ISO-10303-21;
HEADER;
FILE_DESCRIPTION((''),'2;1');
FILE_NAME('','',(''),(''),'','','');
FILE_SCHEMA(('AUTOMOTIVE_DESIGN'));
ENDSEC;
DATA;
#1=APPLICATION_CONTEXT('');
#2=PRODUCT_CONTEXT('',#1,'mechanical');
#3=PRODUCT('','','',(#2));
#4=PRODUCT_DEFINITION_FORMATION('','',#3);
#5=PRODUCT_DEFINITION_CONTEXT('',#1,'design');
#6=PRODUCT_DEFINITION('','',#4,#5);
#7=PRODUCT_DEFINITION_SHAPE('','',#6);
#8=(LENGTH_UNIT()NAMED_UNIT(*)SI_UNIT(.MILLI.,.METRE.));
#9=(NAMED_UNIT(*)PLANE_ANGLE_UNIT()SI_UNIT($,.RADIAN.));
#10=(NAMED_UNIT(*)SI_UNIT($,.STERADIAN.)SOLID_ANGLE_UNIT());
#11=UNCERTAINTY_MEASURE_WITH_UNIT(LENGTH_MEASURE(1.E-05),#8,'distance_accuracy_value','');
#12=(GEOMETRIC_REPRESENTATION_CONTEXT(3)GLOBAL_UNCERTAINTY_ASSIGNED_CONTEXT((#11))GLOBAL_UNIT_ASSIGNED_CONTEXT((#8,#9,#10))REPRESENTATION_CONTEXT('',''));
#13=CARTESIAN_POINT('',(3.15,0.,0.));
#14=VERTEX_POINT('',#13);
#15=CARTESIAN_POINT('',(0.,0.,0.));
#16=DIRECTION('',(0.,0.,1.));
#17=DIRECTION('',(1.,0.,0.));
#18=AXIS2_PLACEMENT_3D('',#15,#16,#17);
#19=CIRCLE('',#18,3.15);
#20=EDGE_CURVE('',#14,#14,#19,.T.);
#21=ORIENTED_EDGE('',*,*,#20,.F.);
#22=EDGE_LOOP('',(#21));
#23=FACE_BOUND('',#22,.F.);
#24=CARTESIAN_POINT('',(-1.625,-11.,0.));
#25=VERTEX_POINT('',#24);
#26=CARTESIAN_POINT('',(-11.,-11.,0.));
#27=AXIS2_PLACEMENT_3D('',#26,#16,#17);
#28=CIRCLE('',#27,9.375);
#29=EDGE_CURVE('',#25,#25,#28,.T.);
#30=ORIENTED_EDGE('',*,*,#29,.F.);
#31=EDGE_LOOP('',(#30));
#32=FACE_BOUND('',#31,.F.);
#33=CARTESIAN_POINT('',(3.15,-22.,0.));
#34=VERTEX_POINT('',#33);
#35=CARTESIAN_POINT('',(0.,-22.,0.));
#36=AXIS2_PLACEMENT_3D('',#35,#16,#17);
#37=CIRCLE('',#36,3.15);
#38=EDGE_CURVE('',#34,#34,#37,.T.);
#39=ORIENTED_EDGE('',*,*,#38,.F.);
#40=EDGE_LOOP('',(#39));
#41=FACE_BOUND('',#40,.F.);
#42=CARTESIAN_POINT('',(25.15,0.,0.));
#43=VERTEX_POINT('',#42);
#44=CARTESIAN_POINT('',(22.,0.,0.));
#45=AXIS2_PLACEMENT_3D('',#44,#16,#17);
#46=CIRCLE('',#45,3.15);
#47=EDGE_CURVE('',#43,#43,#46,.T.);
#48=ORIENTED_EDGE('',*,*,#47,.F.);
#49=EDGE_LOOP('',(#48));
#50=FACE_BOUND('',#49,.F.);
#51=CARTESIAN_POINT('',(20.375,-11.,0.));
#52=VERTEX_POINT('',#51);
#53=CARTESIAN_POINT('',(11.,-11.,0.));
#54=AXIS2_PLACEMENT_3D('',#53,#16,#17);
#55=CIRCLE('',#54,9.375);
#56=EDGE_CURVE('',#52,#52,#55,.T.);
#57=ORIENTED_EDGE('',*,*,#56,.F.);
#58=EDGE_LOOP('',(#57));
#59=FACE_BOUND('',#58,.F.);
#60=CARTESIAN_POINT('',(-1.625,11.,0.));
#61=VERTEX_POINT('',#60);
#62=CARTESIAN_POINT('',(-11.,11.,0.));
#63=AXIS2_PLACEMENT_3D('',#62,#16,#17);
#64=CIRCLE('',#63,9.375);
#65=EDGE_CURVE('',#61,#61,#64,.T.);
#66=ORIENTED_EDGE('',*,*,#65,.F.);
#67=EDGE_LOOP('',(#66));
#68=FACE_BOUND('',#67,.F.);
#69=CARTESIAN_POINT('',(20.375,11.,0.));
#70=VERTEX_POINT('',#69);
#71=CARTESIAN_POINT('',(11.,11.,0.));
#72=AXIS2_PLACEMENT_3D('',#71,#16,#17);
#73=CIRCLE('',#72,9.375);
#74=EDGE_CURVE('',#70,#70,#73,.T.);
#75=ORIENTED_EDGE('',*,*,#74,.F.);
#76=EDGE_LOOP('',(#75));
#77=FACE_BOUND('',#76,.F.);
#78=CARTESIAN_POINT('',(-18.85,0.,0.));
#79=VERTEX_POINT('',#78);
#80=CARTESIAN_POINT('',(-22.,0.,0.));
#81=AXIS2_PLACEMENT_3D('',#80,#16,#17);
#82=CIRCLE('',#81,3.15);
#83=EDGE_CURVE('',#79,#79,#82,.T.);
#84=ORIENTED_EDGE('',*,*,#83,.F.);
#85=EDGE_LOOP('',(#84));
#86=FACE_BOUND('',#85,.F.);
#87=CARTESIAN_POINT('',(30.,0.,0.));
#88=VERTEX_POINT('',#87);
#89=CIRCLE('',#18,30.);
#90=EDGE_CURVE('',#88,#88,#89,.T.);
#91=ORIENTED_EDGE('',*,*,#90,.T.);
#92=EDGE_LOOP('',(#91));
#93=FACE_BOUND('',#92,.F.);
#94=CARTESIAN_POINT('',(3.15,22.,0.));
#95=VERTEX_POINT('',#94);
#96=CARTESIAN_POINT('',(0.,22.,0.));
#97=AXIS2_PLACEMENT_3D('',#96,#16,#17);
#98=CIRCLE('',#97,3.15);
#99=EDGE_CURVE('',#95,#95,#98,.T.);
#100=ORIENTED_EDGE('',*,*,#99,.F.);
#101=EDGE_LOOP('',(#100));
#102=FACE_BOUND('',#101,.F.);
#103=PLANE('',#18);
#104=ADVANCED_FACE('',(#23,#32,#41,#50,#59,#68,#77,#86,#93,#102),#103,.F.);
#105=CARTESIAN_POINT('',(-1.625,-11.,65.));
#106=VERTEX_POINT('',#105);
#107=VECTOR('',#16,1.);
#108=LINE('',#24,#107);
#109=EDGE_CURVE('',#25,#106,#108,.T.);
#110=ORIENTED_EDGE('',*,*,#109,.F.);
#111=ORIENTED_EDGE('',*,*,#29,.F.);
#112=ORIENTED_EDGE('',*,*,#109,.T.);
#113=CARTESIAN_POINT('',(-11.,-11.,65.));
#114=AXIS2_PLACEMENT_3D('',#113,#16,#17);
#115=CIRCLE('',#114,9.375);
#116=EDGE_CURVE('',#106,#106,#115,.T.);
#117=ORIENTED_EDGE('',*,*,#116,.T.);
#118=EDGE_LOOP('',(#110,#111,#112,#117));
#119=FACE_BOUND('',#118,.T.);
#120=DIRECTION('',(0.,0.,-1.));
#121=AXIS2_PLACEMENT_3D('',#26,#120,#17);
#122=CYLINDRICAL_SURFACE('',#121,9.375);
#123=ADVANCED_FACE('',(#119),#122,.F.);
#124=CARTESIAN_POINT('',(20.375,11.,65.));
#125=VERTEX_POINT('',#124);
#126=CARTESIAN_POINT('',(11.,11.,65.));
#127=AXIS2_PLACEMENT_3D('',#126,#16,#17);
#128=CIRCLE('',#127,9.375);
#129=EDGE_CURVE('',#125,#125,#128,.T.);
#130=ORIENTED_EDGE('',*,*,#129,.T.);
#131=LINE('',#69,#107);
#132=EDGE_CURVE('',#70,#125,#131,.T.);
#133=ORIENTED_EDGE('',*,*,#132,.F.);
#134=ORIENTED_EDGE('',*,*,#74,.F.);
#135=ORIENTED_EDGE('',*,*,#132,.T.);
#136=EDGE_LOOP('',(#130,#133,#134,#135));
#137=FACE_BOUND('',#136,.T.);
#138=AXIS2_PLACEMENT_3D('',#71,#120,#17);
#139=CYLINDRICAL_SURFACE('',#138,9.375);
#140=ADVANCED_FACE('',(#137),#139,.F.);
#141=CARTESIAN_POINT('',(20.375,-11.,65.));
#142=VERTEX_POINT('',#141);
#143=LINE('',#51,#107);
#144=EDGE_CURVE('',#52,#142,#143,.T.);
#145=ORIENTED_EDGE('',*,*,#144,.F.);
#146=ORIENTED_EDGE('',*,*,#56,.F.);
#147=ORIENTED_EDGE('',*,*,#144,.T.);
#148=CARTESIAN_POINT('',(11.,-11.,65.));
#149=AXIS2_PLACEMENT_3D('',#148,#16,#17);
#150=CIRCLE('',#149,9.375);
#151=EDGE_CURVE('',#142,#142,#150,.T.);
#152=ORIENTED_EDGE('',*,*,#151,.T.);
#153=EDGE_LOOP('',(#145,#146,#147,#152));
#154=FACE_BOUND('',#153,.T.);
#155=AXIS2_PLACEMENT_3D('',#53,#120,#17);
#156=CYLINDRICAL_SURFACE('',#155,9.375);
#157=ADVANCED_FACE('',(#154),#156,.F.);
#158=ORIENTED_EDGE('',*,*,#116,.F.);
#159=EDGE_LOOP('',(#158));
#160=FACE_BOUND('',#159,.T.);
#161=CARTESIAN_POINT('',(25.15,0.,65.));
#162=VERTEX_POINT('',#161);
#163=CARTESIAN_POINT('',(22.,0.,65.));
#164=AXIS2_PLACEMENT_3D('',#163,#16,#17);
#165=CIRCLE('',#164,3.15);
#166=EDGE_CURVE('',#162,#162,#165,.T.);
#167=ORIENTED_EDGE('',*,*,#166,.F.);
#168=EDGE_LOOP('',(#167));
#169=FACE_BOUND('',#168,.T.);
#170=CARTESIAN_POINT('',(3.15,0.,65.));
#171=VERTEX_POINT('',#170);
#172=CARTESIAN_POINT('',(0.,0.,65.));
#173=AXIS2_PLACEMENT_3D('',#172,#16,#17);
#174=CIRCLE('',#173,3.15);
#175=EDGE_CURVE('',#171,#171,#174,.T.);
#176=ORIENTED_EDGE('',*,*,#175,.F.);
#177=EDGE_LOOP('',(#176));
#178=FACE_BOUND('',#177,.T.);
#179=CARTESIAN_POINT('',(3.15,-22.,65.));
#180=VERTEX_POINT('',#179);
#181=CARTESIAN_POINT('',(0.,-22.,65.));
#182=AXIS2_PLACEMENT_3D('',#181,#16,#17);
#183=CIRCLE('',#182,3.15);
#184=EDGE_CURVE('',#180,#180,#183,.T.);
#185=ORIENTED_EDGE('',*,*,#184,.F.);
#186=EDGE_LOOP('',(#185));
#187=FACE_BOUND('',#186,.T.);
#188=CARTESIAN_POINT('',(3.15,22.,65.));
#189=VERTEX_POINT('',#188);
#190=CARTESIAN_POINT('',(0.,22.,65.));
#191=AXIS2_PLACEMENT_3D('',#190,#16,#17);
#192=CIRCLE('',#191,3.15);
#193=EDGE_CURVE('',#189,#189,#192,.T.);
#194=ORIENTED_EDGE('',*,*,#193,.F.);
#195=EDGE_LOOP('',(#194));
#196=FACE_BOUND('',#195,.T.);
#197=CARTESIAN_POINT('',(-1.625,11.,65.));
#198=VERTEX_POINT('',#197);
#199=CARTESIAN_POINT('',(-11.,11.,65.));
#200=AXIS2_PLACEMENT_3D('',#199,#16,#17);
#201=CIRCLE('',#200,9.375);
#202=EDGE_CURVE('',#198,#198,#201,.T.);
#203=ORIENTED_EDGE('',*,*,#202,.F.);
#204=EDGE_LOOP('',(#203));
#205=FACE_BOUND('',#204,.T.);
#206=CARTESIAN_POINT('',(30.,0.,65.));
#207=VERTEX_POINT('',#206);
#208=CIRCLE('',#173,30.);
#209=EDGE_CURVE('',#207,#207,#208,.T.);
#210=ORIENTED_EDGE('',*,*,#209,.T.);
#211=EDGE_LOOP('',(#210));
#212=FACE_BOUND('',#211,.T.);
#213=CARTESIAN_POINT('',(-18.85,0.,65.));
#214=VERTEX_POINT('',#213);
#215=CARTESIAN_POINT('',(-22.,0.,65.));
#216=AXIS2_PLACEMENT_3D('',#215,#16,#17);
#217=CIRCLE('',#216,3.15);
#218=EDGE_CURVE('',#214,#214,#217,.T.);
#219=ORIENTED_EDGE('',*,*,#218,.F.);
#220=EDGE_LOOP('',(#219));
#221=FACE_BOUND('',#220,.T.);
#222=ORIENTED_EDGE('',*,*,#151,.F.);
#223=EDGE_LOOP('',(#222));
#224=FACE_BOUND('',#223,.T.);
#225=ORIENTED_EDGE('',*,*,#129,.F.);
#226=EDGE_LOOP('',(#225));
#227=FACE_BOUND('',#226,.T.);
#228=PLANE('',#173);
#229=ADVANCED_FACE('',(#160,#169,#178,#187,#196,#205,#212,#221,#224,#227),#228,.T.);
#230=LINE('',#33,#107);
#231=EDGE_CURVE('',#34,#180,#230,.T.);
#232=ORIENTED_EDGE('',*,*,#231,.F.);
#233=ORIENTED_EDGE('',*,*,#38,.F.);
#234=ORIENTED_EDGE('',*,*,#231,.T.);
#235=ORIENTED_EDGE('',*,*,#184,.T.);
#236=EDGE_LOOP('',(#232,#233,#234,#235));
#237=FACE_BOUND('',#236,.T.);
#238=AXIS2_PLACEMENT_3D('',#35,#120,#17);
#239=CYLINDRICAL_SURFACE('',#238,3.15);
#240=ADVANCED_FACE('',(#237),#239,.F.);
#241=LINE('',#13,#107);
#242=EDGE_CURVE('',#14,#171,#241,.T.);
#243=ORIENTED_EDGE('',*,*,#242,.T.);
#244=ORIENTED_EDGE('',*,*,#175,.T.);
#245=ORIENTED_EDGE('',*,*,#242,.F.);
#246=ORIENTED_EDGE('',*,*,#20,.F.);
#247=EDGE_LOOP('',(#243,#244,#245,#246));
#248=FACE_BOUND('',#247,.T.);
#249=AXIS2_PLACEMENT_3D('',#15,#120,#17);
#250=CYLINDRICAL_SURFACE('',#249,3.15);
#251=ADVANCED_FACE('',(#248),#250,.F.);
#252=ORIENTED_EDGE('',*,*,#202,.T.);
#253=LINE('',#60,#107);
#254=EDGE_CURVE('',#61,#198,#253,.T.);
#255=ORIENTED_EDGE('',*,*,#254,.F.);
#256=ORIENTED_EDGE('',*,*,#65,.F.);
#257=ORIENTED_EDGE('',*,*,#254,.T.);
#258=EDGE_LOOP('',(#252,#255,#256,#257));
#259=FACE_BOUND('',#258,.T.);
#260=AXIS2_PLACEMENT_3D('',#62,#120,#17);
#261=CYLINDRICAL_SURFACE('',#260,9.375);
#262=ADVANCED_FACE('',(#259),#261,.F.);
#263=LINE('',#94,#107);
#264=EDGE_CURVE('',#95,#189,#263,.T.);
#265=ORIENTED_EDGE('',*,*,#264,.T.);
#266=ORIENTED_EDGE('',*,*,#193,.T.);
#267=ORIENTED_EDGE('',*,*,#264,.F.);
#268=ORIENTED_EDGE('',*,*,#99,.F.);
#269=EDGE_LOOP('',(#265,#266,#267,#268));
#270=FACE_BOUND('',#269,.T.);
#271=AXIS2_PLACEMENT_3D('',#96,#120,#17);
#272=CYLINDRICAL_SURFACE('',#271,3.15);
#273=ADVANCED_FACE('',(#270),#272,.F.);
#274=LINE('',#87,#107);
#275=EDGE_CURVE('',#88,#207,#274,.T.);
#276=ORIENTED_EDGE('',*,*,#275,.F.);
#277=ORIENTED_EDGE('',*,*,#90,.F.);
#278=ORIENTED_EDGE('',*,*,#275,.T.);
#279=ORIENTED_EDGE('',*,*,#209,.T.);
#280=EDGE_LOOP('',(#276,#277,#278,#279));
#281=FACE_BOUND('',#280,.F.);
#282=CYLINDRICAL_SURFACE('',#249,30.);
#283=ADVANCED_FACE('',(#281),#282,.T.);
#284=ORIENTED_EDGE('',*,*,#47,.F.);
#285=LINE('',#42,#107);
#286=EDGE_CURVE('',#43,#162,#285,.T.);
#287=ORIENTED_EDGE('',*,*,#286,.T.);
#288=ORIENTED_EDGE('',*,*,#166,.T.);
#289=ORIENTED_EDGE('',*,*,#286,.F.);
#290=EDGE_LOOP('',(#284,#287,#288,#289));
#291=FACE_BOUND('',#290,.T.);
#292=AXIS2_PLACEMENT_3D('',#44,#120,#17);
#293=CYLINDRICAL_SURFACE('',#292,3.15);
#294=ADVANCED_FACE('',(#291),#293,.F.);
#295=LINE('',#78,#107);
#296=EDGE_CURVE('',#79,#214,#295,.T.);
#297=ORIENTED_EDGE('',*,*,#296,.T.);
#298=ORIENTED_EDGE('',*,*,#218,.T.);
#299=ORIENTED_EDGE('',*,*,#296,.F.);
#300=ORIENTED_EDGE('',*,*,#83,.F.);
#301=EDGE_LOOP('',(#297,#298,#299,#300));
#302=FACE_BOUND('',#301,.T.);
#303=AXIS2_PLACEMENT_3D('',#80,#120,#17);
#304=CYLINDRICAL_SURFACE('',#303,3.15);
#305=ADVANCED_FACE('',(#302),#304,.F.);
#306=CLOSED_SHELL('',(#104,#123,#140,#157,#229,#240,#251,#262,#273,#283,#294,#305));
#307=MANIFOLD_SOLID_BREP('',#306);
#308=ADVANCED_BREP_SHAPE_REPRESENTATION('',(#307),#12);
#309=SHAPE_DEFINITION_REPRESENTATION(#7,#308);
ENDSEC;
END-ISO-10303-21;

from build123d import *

# Parameters (mm, degrees)
F0_R     = 30
F0_R_2   = 9.375
F0_R_3   = 3.15
F1_DEPTH = 65


with BuildPart() as f1:
    # F0 (on Top) → F1 (new body)
    with BuildSketch(Plane.XY):
        Circle(F0_R)
        with Locations((-11, -11)):
            Circle(F0_R_2, mode=Mode.SUBTRACT)
        with Locations((0, -22)):
            Circle(F0_R_3, mode=Mode.SUBTRACT)
        with Locations((11, -11)):
            Circle(F0_R_2, mode=Mode.SUBTRACT)
        with Locations((-22, 0)):
            Circle(F0_R_3, mode=Mode.SUBTRACT)
        with Locations((-11, 11)):
            Circle(F0_R_2, mode=Mode.SUBTRACT)
        Circle(F0_R_3, mode=Mode.SUBTRACT)
        with Locations((11, 11)):
            Circle(F0_R_2, mode=Mode.SUBTRACT)
        with Locations((22, 0)):
            Circle(F0_R_3, mode=Mode.SUBTRACT)
        with Locations((0, 22)):
            Circle(F0_R_3, mode=Mode.SUBTRACT)
    extrude(amount=F1_DEPTH)


solid = f1.part
